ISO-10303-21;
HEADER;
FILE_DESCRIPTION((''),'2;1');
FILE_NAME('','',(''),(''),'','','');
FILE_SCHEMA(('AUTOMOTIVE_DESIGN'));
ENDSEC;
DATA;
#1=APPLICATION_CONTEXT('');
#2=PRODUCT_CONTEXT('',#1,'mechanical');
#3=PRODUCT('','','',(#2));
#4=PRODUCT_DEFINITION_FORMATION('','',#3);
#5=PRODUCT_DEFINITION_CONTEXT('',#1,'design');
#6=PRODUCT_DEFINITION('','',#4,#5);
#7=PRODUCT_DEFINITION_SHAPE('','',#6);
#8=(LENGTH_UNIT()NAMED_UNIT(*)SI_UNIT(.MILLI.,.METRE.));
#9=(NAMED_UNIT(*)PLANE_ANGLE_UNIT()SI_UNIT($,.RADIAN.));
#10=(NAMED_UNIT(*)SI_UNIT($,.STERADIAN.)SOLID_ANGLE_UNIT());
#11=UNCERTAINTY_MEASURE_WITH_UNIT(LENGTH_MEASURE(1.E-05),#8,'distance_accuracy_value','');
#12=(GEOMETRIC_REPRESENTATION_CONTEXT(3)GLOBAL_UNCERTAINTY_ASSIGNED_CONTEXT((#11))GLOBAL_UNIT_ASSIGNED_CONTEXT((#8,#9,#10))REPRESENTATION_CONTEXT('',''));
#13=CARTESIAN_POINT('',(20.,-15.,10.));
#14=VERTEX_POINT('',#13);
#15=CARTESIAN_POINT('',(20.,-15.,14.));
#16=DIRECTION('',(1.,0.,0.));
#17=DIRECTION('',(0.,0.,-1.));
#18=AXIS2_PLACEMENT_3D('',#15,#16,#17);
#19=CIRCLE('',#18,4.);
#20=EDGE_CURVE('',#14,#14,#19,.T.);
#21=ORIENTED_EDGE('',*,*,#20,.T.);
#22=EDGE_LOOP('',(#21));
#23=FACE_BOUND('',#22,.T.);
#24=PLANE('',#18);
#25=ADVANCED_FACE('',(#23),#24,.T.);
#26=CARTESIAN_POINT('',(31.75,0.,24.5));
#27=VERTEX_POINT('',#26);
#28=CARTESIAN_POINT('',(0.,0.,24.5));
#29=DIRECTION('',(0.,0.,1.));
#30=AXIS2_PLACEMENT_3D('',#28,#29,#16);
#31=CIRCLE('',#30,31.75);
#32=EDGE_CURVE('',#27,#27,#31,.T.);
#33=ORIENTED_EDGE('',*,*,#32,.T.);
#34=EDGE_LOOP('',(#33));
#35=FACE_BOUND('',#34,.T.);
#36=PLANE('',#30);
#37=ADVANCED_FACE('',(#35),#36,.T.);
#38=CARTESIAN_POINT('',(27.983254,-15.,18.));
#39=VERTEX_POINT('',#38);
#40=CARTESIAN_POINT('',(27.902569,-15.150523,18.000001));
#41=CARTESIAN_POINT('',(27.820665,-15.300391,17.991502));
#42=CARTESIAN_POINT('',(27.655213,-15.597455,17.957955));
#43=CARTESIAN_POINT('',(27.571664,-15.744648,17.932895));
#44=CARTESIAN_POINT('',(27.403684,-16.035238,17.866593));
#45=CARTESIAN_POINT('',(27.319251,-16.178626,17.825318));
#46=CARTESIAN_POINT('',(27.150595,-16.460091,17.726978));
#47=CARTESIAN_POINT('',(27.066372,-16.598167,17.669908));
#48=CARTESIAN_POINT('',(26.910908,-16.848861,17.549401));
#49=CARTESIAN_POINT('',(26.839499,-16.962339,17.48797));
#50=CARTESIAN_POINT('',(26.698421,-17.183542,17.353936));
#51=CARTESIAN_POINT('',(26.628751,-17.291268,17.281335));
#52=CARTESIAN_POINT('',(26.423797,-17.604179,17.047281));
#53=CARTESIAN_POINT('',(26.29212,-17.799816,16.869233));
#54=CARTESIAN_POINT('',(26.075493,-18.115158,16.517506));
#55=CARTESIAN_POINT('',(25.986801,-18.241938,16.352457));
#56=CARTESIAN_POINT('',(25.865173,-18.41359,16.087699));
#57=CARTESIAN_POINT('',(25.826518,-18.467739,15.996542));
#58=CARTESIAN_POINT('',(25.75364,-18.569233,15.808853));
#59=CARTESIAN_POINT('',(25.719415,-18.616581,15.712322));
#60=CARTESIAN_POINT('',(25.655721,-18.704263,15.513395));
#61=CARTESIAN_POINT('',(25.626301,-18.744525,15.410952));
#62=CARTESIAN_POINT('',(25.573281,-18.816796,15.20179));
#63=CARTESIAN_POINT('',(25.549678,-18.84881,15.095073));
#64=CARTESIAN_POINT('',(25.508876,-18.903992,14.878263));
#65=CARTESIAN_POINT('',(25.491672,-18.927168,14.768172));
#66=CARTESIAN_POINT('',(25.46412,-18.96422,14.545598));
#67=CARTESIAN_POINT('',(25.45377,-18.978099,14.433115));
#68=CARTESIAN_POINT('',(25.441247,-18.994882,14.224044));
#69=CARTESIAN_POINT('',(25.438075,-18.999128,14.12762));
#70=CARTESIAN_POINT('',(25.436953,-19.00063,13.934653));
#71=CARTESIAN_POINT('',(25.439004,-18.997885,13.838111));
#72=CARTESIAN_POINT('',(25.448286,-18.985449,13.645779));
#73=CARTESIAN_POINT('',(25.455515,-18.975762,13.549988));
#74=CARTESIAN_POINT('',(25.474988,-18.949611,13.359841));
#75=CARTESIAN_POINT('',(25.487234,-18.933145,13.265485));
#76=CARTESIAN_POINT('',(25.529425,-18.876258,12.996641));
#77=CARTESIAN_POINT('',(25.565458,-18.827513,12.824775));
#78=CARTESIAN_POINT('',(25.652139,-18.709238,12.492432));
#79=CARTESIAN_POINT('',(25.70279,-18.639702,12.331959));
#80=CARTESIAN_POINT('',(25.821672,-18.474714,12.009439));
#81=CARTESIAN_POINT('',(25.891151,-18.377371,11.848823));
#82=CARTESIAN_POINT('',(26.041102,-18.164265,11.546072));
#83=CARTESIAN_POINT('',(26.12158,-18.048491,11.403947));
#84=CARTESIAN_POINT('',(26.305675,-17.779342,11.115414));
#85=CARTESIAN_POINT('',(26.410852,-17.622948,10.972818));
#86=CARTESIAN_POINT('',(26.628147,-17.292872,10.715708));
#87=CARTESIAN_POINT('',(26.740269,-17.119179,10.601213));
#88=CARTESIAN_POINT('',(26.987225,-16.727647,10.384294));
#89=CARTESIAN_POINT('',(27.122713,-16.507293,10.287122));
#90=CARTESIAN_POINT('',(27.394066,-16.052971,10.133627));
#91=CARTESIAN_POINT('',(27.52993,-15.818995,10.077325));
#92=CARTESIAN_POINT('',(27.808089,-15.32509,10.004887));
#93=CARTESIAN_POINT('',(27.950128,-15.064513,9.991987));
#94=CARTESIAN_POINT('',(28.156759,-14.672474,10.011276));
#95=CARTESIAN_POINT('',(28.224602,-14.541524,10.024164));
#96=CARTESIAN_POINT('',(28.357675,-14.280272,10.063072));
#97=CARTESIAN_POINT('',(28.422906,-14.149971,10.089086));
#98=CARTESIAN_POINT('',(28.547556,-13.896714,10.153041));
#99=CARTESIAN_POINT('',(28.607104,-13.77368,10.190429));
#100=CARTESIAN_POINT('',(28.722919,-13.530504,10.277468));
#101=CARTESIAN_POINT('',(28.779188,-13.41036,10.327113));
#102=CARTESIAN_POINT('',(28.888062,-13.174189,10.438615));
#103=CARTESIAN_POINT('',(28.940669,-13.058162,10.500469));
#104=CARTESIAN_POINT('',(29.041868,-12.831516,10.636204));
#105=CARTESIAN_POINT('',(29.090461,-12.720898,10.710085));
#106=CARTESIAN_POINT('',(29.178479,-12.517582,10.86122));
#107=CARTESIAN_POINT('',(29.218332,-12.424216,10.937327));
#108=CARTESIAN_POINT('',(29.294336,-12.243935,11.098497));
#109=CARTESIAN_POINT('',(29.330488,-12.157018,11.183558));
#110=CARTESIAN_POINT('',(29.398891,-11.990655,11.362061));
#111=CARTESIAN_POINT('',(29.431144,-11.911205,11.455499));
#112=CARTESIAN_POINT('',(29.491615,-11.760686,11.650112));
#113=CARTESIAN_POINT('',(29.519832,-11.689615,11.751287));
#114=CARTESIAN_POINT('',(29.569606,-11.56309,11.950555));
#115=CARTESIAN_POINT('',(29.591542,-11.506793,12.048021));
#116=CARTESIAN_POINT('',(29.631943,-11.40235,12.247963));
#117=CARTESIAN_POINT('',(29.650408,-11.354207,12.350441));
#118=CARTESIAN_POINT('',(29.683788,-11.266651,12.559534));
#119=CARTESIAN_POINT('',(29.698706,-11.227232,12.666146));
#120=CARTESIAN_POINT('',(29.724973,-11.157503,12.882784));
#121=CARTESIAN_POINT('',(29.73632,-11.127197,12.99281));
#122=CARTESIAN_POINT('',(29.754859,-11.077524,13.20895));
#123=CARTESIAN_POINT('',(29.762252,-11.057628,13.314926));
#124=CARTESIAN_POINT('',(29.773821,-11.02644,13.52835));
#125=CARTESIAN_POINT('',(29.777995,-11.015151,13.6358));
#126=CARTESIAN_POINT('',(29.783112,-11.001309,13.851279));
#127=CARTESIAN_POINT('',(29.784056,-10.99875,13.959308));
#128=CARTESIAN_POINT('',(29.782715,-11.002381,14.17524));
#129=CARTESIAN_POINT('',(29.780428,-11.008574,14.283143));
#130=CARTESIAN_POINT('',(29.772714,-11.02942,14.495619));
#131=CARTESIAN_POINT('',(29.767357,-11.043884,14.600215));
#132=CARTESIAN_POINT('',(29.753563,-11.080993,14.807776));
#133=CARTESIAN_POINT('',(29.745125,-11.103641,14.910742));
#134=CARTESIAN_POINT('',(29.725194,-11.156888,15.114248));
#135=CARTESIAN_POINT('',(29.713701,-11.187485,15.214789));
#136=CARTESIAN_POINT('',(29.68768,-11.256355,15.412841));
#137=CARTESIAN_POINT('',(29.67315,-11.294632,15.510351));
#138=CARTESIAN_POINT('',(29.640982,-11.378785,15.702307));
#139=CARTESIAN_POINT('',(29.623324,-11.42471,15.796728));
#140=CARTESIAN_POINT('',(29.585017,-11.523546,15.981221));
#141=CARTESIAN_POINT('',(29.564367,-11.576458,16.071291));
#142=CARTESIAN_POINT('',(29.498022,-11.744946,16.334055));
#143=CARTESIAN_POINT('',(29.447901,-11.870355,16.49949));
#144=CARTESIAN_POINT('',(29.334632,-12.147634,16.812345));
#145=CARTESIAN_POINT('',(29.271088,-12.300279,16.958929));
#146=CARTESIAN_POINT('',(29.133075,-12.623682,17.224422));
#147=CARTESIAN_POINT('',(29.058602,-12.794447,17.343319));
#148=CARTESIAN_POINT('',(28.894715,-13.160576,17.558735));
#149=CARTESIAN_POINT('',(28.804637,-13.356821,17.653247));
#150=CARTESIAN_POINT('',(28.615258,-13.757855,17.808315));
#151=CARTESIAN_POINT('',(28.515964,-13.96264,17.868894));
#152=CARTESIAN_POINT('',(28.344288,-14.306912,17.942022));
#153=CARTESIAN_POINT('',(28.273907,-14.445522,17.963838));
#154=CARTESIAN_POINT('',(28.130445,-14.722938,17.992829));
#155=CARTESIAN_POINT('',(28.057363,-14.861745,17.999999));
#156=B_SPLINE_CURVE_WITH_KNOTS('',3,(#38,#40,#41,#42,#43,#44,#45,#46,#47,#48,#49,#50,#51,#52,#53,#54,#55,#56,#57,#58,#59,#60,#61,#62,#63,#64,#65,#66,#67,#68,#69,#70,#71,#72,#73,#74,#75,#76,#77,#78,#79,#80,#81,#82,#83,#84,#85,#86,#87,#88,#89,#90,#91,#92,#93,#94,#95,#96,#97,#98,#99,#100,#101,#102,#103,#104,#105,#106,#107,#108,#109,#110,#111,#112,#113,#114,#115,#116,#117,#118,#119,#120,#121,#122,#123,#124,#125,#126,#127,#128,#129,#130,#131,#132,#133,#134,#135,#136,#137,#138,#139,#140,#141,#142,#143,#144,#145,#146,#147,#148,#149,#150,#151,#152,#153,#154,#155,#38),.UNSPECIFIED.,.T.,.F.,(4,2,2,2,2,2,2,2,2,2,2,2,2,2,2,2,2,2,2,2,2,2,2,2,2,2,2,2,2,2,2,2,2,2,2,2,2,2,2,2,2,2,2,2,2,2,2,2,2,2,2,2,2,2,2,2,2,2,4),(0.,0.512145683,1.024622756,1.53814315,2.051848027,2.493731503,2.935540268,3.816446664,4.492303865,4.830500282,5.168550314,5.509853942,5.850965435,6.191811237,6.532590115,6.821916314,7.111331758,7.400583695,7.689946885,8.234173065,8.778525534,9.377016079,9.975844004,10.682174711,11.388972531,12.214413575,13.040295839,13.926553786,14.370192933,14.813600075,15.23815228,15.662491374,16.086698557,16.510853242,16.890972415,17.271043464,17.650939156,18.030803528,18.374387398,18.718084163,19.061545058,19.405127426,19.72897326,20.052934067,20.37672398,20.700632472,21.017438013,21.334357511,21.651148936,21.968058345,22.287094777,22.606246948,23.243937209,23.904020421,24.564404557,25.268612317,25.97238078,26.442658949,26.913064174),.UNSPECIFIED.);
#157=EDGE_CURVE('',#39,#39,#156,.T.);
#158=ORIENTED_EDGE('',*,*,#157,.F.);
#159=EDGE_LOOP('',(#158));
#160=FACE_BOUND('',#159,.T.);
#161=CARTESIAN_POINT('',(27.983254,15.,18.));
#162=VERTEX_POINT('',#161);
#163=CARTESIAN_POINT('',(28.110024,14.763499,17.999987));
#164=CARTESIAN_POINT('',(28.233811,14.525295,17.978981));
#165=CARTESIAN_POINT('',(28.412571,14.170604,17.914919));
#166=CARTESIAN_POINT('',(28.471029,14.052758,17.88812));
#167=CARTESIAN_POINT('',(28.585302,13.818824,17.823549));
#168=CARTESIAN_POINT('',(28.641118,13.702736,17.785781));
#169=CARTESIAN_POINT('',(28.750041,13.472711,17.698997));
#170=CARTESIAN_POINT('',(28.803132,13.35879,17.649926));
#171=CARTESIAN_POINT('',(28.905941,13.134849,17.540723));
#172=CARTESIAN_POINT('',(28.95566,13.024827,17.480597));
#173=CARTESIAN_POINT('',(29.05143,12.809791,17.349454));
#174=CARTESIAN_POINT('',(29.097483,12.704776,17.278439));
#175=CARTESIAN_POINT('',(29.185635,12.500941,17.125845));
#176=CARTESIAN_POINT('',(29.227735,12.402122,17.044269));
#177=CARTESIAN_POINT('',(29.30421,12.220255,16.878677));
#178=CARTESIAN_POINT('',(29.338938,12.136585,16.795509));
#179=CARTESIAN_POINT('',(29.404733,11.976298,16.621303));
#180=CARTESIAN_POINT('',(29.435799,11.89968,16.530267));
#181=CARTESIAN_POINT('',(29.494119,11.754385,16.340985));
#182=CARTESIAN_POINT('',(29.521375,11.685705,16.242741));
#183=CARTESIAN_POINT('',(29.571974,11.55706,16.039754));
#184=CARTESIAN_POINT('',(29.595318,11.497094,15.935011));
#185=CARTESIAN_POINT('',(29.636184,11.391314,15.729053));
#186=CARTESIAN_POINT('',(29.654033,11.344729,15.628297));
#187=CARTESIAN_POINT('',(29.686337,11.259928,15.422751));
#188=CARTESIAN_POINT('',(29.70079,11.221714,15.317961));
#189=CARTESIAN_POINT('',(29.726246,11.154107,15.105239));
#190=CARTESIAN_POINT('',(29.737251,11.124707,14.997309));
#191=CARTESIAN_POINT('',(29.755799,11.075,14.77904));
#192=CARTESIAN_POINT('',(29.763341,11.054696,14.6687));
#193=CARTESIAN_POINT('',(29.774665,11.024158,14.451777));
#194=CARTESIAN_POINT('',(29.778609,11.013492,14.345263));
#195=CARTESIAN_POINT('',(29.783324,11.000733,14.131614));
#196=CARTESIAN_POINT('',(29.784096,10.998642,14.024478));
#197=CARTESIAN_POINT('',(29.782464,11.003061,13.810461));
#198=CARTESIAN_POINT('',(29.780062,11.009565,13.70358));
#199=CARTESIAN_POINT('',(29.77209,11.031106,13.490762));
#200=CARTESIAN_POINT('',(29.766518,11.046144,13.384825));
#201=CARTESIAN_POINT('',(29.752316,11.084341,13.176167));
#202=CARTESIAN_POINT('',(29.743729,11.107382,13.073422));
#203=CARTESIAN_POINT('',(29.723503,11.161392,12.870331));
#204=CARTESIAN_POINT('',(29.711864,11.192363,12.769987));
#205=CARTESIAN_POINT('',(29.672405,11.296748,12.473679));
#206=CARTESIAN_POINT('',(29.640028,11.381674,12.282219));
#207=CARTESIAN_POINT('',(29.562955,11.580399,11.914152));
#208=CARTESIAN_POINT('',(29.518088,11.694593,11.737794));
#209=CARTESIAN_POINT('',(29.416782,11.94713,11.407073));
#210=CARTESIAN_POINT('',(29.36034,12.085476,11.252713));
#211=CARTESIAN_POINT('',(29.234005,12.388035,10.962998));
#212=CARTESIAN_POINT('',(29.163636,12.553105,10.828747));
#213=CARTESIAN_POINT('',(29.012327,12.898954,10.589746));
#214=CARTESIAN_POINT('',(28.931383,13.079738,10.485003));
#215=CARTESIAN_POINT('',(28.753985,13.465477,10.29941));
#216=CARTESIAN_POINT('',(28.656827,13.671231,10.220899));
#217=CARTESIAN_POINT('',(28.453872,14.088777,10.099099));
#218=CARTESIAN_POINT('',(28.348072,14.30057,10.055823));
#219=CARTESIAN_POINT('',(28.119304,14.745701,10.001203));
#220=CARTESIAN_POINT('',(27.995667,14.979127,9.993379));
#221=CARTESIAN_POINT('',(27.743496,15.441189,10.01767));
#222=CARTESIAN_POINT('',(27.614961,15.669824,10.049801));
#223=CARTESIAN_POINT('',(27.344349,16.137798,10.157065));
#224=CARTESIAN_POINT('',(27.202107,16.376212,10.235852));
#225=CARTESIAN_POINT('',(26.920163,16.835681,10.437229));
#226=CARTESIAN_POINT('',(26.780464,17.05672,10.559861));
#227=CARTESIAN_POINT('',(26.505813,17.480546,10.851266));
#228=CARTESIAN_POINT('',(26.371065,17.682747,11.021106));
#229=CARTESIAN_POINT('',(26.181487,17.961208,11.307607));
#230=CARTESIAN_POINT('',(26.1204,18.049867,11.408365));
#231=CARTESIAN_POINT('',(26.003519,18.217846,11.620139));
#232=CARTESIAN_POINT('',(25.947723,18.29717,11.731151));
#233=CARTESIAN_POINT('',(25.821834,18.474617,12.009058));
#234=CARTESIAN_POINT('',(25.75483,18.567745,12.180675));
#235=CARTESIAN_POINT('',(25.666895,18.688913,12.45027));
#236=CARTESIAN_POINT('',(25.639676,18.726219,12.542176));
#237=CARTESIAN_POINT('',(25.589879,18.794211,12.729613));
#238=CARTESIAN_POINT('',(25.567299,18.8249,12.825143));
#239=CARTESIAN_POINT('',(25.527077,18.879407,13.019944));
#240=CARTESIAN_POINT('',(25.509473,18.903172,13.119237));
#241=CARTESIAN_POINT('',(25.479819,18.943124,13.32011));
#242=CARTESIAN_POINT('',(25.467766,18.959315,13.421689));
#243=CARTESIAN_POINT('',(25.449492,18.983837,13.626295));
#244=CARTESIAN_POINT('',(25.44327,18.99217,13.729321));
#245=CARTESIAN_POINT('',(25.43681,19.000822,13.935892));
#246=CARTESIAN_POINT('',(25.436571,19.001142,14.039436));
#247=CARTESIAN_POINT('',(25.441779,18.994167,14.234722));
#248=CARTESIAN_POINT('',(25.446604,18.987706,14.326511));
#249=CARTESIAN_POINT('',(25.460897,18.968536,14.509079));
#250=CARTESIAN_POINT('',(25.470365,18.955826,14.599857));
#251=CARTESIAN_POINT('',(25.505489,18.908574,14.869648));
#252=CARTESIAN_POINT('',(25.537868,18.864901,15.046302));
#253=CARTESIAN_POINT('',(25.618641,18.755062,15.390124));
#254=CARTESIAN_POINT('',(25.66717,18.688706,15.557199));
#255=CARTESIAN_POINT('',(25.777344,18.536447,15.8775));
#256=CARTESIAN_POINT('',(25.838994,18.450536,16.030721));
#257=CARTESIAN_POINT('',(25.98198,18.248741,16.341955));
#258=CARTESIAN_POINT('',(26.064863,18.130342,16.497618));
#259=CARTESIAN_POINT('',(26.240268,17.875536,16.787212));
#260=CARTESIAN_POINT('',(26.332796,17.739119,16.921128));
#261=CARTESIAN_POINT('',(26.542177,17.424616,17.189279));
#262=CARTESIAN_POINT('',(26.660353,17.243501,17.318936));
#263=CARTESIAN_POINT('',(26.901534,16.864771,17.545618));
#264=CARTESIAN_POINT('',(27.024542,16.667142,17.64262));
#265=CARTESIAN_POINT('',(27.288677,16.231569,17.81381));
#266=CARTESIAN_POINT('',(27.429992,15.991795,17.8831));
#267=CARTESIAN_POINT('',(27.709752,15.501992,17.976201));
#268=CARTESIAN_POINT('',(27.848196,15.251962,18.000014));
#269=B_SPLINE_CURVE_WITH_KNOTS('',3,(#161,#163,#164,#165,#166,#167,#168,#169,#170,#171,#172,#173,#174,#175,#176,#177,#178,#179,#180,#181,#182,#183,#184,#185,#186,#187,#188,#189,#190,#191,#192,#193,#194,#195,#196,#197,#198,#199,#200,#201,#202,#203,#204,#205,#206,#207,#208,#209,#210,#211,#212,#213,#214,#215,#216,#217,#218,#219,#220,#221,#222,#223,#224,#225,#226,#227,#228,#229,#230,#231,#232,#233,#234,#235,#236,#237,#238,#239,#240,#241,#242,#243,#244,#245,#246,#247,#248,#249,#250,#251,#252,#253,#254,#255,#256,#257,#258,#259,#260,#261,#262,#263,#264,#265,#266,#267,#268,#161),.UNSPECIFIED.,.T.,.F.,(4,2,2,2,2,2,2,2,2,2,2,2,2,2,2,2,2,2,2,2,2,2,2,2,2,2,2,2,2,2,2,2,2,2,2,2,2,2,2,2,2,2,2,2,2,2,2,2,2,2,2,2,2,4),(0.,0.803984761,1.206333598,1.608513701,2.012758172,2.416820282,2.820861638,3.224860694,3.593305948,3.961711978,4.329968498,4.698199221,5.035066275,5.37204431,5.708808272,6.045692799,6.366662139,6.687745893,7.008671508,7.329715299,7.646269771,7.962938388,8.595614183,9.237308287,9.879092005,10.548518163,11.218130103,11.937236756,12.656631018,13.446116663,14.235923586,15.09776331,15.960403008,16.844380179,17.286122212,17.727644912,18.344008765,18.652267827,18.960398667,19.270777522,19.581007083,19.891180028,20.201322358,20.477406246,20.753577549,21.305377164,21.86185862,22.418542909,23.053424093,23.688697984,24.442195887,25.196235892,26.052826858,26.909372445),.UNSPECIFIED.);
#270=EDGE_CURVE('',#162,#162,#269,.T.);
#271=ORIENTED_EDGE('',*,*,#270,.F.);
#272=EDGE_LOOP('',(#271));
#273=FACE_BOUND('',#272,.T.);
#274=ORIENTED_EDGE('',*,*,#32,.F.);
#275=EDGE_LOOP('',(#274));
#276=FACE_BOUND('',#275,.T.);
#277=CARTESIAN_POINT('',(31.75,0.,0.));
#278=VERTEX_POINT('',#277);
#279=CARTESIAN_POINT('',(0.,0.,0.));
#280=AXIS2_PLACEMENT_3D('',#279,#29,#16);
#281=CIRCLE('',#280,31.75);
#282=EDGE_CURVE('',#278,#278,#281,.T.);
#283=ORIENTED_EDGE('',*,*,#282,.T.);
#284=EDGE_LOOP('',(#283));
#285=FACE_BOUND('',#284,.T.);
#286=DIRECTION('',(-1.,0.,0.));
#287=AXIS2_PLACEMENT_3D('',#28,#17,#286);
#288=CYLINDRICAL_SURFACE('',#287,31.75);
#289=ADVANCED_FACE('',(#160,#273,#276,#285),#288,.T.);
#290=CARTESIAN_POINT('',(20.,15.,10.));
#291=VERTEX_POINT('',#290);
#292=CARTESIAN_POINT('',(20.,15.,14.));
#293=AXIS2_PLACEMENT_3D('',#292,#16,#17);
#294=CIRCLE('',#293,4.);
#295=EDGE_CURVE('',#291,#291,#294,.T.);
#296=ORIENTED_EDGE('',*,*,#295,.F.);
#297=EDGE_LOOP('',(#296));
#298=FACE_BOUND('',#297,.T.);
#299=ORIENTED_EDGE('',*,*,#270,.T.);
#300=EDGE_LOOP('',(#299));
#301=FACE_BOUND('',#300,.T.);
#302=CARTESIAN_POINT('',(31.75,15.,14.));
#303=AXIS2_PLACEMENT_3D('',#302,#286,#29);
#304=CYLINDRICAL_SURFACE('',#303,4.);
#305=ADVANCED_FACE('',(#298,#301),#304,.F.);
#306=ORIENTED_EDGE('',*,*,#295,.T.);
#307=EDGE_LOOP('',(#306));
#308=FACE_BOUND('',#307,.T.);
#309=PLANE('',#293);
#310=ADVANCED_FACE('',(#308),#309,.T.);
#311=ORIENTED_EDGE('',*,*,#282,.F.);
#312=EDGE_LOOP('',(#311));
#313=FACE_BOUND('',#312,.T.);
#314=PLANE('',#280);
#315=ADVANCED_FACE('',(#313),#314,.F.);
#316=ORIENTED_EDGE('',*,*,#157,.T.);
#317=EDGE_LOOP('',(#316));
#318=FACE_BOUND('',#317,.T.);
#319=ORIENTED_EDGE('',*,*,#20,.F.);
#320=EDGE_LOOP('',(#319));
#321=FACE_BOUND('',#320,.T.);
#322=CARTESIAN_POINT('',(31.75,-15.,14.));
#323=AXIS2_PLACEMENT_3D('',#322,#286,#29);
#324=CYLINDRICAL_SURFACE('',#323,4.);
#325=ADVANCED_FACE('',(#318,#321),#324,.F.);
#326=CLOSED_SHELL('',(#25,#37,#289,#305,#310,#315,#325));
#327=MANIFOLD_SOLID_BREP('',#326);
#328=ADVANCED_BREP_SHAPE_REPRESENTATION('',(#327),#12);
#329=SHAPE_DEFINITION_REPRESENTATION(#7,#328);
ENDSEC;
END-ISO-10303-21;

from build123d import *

# Parameters (mm, degrees)
SKIZZE1_R        = 31.75
LIDAR_BASE_DEPTH = 24.5
SKIZZE2_R        = 4
SENSOR_CUT_DEPTH = 66.470413165


with BuildPart() as part:
    # Skizze1 → Lidar Base (new body)
    with BuildSketch(Plane.XY):
        Circle(SKIZZE1_R)
    extrude(amount=LIDAR_BASE_DEPTH)

    # Skizze2 → Sensor Cut (cut, through all)
    with BuildSketch(Plane(origin=(20, 0, 0), x_dir=(0, 0, -1), z_dir=(1, 0, 0))):
        with Locations(Location((-14, 15, 0), (0, 0, 180))):
            Circle(SKIZZE2_R)
        with Locations(Location((-14, -15, 0), (0, 0, 180))):
            Circle(SKIZZE2_R)
    extrude(amount=SENSOR_CUT_DEPTH, mode=Mode.SUBTRACT)


solid = part.part
